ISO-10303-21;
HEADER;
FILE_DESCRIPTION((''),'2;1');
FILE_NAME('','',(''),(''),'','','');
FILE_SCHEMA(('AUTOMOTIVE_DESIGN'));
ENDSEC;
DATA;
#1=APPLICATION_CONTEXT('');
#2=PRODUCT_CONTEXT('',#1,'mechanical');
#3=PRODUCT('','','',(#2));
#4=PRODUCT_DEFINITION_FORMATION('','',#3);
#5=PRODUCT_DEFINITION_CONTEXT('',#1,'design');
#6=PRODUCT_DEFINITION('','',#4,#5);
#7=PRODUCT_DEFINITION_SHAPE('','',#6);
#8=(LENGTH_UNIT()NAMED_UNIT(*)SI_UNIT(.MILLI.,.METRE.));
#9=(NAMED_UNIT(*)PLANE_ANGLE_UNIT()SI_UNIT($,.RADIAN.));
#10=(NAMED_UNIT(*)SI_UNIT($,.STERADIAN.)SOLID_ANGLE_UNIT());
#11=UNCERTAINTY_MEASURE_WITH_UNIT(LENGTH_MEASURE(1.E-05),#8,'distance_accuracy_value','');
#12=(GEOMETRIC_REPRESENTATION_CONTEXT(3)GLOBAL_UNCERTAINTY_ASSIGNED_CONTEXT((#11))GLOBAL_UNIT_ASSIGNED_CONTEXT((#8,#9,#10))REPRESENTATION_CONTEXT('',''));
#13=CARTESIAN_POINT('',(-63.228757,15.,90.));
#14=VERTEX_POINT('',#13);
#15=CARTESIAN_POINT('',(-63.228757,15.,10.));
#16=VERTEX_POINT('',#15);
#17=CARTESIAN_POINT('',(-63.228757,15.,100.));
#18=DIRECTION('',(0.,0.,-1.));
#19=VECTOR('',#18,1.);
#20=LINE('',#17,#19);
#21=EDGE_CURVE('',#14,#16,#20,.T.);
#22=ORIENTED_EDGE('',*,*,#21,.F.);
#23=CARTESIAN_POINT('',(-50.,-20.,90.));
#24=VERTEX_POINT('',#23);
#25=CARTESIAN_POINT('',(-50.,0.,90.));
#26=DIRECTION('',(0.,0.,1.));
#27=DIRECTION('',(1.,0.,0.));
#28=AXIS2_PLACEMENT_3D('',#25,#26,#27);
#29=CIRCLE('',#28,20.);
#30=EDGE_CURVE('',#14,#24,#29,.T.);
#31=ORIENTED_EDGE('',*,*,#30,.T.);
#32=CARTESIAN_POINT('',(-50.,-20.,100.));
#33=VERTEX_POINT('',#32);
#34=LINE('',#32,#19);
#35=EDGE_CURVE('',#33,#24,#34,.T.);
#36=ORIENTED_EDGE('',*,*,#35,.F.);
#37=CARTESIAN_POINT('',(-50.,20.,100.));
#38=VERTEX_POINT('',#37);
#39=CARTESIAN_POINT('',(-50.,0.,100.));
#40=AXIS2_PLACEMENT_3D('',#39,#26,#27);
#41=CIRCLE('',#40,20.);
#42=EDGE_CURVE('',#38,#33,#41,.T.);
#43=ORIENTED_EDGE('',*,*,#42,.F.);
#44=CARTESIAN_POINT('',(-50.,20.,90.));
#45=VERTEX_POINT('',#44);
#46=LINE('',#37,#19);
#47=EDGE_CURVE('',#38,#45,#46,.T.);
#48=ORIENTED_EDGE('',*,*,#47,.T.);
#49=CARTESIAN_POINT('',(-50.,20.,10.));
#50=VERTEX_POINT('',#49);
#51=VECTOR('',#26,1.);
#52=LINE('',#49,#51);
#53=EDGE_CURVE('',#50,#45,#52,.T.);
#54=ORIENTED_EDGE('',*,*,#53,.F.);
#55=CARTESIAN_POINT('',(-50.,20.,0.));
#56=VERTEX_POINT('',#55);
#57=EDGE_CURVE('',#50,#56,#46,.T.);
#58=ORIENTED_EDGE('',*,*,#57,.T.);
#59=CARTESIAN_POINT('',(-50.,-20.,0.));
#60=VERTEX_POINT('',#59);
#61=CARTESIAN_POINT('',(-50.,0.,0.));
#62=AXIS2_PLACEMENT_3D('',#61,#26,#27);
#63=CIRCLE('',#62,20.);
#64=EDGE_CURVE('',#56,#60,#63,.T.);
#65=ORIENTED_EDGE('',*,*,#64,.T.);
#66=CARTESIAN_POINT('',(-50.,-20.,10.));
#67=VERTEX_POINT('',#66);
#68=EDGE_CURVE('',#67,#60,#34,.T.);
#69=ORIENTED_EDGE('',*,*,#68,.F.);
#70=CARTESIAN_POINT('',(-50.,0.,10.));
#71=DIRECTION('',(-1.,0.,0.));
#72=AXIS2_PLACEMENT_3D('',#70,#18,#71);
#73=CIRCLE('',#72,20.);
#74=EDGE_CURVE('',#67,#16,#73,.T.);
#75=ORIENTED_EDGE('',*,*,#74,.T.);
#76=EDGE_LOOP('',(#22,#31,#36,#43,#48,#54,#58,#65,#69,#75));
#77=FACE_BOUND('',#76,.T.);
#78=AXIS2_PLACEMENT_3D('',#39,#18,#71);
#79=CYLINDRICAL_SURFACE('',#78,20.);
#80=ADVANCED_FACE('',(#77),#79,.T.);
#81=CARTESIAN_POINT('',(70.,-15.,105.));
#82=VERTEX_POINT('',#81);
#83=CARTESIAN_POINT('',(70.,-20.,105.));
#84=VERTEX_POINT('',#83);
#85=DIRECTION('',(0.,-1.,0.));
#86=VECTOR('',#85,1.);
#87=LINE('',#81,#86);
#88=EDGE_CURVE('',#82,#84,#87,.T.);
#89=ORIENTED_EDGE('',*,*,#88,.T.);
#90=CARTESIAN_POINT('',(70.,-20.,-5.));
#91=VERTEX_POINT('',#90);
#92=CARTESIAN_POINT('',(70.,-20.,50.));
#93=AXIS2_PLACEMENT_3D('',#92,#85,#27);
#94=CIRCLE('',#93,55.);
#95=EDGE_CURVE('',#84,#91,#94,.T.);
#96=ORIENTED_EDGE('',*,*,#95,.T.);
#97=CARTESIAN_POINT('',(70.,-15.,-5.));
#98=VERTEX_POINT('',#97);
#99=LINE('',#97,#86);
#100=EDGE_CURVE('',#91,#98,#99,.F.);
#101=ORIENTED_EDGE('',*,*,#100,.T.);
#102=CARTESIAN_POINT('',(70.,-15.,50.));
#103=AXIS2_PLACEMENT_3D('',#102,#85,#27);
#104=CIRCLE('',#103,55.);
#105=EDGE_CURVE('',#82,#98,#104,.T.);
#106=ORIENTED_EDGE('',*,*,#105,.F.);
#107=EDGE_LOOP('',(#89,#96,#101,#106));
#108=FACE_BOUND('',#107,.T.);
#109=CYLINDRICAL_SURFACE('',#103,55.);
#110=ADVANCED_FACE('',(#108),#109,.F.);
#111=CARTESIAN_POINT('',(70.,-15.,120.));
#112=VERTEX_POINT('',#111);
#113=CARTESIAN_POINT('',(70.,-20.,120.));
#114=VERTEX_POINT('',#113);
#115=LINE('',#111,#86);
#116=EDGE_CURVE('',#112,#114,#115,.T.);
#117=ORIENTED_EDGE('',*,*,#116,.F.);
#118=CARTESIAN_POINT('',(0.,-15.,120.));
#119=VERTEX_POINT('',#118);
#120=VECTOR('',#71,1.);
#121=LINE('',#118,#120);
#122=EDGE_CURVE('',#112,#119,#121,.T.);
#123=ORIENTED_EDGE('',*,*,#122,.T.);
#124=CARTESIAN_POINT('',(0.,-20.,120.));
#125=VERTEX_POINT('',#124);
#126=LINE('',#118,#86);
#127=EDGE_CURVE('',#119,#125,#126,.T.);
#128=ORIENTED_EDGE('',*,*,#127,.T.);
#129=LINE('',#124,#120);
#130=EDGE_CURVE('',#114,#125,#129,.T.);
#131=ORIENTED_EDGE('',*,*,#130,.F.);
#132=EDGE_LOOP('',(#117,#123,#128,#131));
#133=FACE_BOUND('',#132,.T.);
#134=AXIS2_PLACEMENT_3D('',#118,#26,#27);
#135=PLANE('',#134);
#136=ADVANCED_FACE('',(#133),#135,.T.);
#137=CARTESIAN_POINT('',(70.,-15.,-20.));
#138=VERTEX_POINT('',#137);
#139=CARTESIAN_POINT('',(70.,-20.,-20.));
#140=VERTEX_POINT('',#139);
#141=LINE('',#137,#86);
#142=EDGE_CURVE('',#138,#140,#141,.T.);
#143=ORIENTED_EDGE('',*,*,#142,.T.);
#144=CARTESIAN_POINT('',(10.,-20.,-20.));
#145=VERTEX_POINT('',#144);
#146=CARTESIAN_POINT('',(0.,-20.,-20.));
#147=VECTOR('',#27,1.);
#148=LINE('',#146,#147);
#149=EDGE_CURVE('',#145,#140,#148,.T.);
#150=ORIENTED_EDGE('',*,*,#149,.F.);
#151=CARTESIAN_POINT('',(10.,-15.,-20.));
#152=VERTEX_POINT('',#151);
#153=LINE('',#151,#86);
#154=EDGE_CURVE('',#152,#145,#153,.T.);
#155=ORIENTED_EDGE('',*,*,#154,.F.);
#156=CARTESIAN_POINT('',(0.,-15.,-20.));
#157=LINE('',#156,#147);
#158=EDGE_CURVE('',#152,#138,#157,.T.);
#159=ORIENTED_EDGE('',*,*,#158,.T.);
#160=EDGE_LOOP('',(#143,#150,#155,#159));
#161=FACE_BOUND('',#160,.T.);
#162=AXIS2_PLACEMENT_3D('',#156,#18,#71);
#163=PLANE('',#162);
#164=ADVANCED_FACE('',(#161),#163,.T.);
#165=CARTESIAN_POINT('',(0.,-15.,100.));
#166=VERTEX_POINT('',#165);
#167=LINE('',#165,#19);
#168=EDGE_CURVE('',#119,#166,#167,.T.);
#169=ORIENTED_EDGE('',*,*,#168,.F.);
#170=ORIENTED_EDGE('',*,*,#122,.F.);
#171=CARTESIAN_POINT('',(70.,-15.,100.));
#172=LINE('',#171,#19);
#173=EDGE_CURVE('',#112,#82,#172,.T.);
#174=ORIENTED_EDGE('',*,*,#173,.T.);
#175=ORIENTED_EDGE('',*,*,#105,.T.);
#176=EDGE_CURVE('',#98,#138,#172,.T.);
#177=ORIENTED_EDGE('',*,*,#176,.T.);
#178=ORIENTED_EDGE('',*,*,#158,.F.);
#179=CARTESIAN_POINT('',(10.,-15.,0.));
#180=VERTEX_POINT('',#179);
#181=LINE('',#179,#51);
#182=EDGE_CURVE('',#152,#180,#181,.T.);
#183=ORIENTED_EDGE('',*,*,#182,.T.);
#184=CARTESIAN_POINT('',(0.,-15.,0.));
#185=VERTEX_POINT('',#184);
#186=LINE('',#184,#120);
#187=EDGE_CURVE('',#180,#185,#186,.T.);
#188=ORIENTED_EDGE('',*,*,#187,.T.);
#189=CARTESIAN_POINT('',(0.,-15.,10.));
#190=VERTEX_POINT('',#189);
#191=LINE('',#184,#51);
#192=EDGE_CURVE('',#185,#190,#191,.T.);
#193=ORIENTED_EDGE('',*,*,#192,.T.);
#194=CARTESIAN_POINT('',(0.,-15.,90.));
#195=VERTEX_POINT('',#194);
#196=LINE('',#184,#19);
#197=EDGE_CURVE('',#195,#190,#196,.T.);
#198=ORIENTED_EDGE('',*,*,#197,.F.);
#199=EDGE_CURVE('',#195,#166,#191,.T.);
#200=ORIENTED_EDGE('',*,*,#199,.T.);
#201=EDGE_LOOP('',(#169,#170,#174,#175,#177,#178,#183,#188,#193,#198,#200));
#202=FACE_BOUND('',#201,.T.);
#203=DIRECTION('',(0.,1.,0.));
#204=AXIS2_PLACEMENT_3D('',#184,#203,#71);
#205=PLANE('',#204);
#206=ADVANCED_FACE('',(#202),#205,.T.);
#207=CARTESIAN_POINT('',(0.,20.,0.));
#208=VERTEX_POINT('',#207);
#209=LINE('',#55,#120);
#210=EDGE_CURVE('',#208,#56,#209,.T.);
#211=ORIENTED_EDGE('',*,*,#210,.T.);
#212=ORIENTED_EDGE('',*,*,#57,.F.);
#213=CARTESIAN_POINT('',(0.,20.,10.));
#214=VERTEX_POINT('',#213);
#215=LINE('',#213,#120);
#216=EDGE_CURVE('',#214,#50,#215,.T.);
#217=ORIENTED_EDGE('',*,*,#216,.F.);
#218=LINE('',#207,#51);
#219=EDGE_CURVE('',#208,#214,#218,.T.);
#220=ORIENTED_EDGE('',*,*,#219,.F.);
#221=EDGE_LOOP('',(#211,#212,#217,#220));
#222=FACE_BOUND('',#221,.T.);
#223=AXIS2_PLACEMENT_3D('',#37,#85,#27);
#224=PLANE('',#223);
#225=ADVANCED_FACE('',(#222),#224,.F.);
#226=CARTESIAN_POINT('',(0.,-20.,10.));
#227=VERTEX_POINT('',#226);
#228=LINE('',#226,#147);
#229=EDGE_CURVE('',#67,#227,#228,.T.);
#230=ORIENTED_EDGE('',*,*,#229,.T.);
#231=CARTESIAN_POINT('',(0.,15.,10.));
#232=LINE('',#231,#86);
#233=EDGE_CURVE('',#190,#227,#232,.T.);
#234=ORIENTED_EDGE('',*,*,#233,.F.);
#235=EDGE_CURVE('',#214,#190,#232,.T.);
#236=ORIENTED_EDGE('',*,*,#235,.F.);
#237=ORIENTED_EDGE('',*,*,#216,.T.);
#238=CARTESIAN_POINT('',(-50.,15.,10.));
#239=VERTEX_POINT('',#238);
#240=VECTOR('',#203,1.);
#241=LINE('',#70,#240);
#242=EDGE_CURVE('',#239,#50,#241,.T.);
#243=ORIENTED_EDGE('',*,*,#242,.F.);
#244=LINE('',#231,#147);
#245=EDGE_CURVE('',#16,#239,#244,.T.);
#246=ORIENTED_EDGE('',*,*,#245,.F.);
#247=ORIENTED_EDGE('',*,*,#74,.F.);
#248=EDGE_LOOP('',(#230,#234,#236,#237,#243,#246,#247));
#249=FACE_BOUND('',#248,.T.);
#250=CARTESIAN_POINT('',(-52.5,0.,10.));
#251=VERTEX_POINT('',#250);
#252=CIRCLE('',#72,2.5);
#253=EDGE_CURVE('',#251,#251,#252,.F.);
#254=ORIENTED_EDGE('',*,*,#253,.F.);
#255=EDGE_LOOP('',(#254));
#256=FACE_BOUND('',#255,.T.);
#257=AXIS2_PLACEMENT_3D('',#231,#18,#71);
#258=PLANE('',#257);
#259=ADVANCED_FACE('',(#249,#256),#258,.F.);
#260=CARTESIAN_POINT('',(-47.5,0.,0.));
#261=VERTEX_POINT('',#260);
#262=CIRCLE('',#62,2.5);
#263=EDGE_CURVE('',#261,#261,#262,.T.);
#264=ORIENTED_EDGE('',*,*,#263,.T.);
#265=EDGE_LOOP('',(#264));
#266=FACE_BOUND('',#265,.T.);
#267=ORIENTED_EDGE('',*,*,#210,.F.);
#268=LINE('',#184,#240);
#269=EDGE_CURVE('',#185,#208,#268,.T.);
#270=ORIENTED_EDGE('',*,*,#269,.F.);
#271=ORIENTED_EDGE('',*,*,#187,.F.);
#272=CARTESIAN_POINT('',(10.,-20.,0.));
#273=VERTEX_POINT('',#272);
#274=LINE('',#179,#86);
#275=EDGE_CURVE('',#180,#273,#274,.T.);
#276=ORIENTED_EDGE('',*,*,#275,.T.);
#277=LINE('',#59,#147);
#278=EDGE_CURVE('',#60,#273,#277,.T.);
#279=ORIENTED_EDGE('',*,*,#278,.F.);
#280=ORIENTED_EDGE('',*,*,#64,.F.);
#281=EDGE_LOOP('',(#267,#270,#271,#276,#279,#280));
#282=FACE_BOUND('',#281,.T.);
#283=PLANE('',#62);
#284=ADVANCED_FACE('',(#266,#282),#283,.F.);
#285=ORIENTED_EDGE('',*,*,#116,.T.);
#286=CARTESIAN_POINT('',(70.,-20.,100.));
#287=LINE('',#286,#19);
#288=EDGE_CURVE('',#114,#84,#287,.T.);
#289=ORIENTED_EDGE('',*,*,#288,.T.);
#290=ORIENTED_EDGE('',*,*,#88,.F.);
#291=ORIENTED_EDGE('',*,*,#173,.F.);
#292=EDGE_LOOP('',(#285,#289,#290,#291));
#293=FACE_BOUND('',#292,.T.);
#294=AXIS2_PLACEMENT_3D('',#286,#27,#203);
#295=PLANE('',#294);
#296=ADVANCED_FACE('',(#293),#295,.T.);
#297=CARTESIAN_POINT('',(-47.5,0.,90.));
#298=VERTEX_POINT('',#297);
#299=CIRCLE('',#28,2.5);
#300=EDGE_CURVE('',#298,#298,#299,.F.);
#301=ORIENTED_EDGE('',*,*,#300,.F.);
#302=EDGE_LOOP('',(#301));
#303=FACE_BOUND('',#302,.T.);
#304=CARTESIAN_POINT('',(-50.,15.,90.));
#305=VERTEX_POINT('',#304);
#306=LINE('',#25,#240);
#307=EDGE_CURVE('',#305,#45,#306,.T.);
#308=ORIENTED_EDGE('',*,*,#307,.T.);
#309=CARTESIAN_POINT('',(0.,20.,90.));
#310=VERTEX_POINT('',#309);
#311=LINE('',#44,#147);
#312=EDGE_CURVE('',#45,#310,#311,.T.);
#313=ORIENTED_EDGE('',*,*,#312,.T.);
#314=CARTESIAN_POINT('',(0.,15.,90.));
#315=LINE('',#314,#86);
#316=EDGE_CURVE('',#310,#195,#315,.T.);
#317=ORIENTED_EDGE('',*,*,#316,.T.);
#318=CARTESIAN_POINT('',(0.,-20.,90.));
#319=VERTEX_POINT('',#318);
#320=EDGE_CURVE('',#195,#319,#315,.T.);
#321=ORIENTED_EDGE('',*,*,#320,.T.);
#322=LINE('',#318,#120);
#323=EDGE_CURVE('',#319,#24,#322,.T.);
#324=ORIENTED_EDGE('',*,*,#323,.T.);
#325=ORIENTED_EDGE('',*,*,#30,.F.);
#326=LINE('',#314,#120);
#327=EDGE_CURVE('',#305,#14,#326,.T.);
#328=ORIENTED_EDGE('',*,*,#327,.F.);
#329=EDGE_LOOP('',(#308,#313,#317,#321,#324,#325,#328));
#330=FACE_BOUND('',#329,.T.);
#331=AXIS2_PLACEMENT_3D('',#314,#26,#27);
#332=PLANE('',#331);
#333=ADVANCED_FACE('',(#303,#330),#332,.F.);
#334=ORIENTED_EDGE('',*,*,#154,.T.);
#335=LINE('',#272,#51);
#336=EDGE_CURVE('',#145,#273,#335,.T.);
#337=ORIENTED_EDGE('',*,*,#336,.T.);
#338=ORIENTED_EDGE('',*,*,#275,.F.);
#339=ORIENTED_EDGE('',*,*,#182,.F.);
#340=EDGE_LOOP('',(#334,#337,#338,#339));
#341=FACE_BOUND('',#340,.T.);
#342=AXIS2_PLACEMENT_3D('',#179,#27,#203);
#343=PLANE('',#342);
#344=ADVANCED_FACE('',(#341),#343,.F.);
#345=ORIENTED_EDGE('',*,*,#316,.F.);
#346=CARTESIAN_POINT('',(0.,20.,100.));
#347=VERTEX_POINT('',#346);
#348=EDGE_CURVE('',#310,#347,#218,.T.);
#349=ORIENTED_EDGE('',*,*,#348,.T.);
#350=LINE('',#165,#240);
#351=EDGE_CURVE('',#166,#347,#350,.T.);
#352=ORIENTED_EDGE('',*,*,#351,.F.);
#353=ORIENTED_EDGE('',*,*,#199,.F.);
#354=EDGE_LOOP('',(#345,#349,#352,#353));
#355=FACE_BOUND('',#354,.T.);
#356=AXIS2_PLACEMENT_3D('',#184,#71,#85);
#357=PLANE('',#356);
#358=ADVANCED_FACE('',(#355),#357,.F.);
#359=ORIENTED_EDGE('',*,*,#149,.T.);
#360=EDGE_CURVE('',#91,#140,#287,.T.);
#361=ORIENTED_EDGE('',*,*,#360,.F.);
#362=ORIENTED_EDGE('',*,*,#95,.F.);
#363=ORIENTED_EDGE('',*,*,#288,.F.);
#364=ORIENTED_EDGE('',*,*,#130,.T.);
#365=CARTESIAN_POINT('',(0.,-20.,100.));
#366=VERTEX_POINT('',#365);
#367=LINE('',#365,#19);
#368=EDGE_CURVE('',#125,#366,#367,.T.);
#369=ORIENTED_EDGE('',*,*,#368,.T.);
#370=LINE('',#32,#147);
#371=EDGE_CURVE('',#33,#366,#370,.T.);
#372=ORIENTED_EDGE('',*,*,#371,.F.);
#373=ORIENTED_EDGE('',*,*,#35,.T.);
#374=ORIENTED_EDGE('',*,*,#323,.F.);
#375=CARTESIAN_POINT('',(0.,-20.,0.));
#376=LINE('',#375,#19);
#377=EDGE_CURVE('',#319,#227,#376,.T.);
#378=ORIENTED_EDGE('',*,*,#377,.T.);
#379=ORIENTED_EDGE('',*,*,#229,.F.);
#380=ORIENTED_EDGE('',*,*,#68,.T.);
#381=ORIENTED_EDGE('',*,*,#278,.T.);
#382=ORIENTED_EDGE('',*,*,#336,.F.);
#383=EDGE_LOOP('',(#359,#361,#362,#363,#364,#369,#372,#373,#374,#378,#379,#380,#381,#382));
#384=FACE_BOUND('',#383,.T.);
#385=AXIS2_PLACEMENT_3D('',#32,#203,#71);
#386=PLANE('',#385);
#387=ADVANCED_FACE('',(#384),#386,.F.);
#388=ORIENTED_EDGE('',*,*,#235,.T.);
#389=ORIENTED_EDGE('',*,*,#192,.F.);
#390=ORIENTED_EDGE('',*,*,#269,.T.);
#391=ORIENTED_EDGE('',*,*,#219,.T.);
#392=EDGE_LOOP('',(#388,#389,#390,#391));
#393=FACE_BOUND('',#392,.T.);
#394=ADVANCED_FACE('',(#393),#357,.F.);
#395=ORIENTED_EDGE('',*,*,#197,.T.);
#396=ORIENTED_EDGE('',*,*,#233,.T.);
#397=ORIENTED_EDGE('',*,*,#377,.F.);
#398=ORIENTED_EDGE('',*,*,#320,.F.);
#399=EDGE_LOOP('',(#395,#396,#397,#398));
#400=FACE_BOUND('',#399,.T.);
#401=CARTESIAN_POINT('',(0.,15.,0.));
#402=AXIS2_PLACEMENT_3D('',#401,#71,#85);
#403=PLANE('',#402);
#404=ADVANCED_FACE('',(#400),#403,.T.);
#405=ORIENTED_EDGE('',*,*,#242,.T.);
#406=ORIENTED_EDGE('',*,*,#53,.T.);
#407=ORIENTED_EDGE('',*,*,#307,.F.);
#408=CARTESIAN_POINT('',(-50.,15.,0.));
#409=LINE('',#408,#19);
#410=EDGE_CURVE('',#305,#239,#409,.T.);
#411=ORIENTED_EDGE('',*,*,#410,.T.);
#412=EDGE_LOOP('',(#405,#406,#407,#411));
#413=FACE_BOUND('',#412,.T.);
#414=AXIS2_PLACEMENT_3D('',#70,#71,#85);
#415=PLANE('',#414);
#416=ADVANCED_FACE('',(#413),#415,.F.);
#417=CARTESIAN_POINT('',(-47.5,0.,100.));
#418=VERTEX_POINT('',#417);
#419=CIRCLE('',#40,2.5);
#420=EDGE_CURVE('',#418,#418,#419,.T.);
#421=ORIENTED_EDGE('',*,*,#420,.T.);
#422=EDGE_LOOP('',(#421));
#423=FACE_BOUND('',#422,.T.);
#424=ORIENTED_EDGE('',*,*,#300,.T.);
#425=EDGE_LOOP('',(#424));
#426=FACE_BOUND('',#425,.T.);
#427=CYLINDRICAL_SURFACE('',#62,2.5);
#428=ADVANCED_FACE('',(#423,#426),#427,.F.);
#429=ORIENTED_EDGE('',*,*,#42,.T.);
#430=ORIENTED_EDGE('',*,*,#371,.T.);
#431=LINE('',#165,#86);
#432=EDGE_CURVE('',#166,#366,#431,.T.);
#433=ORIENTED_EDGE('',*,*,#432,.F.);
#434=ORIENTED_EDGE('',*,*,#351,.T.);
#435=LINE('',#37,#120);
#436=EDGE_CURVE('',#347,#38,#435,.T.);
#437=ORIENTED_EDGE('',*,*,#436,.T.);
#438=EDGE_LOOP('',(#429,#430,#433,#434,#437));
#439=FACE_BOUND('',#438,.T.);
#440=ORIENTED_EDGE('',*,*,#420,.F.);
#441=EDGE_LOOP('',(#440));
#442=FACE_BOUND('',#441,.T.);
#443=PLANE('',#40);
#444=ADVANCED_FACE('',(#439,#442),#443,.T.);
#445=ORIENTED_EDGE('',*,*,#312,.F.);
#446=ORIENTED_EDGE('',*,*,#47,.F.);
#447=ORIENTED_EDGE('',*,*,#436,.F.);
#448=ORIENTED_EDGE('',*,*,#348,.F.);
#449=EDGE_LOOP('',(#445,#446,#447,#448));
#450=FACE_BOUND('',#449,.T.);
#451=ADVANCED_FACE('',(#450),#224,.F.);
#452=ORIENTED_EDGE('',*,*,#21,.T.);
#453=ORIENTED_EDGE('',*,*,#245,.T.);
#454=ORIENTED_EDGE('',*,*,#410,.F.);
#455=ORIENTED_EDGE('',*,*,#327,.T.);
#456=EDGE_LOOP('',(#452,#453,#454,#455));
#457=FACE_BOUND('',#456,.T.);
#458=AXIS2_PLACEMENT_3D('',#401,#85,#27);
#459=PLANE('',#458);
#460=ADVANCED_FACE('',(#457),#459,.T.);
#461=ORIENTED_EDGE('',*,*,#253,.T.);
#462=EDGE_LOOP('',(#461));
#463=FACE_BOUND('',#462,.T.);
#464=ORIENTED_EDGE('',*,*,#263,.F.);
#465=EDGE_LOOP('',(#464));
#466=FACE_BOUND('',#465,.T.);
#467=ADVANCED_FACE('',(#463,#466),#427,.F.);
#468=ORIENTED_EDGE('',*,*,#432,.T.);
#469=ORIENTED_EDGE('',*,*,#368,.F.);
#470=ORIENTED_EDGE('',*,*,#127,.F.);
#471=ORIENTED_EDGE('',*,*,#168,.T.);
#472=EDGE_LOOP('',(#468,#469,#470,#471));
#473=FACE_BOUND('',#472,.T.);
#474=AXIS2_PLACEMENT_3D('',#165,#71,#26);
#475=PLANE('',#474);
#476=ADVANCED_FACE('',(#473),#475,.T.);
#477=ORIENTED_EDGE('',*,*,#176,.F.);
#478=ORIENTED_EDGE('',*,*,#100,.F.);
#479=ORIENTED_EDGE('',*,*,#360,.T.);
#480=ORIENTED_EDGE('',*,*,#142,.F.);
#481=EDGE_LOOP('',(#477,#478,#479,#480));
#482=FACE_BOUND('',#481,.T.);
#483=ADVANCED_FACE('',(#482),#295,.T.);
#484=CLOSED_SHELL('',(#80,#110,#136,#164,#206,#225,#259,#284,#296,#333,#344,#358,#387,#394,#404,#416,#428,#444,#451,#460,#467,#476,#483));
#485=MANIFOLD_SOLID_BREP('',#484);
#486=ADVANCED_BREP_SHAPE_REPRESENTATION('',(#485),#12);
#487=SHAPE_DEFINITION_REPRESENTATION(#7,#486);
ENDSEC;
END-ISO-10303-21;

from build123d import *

# Parameters (mm, degrees)
EXTRUDE_1_DEPTH     = 100
SKETCH_2_R          = 2.5
CUT_EXTRUDE_1_DEPTH = 124.693168769
SKETCH_3_W          = 20
SKETCH_3_H          = 80
SKETCH_3_W_2        = 50
CUT_EXTRUDE_2_DEPTH = 35
SKETCH_4_W          = 70
SKETCH_4_H          = 100
CUT_EXTRUDE_3_DEPTH = 35
SKETCH_5_W          = 13.228756555
SKETCH_5_H          = 5
CUT_EXTRUDE_4_DEPTH = 124.693168769
SKETCH_7_R          = 2.5
CUT_EXTRUDE_5_DEPTH = 127.984250992
SKETCH_8_W          = 50
SKETCH_8_H          = 80.000000001
CUT_EXTRUDE_7_DEPTH = 20
SKETCH_10_W         = 20
SKETCH_10_H         = 100
EXTRUDE_6_DEPTH     = 5
SKETCH_11_W         = 70
SKETCH_11_H         = 20
EXTRUDE_7_DEPTH     = 5
SKETCH_12_W         = 70
SKETCH_12_H         = 20
EXTRUDE_8_DEPTH     = 5
SKETCH_13_R         = 55
CUT_EXTRUDE_8_DEPTH = 5
SKETCH_14_W         = 10
SKETCH_14_H         = 20
CUT_EXTRUDE_9_DEPTH = 5


with BuildPart() as part:
    # 草图1 → 凸台-拉伸1 (new body)
    with BuildSketch(Plane.XY):
        with BuildLine():
            Line((-50, 20), (50, 20))
            ThreePointArc((50, 20), (70, 0), (50, -20))
            Line((50, -20), (-50, -20))
            ThreePointArc((-50, -20), (-70, 0), (-50, 20))
        make_face()
    extrude(amount=EXTRUDE_1_DEPTH)

    # 草图2 → 切除-拉伸1 (cut, through all)
    with BuildSketch(Plane.XY.offset(100)):
        with Locations((-50, 0)):
            Circle(SKETCH_2_R)
    extrude(amount=-CUT_EXTRUDE_1_DEPTH, mode=Mode.SUBTRACT)

    # 草图3 → 切除-拉伸2 (cut)
    with BuildSketch(Plane.XZ.offset(20)):
        with Locations((-60, 50)):
            Rectangle(SKETCH_3_W, SKETCH_3_H)
        with Locations((-25, 50)):
            Rectangle(SKETCH_3_W_2, SKETCH_3_H)
    extrude(amount=-CUT_EXTRUDE_2_DEPTH, mode=Mode.SUBTRACT)

    # 草图4 → 切除-拉伸3 (cut)
    with BuildSketch(Plane(origin=(0, 20, 0), x_dir=(1, 0, 0), z_dir=(0, 1, 0))):
        with Locations((35, -50)):
            Rectangle(SKETCH_4_W, SKETCH_4_H)
    extrude(amount=-CUT_EXTRUDE_3_DEPTH, mode=Mode.SUBTRACT)

    # 草图5 → 切除-拉伸4 (cut, through all)
    with BuildSketch(Plane.XY.offset(100)):
        with Locations((56.614378278, -17.5)):
            Rectangle(SKETCH_5_W, SKETCH_5_H)
    extrude(amount=-CUT_EXTRUDE_4_DEPTH, mode=Mode.SUBTRACT)

    # 草图7 → 切除-拉伸5 (cut, through all)
    with BuildSketch(Plane(origin=(0, -15, 0), x_dir=(1, 0, 0), z_dir=(0, 1, 0))):
        with Locations(Location((35, -50, 0), (0, 0, 180))):
            Circle(SKETCH_7_R)
    extrude(amount=-CUT_EXTRUDE_5_DEPTH, mode=Mode.SUBTRACT)

    # 草图8 → 切除-拉伸7 (cut)
    with BuildSketch(Plane(origin=(0, 20, 0), x_dir=(1, 0, 0), z_dir=(0, 1, 0))):
        with Locations((-25, -50.000000001)):
            Rectangle(SKETCH_8_W, SKETCH_8_H)
    extrude(amount=-CUT_EXTRUDE_7_DEPTH, mode=Mode.SUBTRACT)

    # 草图10 → 凸台-拉伸6 (add)
    with BuildSketch(Plane(origin=(0, -15, 0), x_dir=(1, 0, 0), z_dir=(0, 1, 0))):
        with Locations((60, -50)):
            Rectangle(SKETCH_10_W, SKETCH_10_H)
    extrude(amount=-EXTRUDE_6_DEPTH)

    # 草图11 → 凸台-拉伸7 (add)
    with BuildSketch(Plane(origin=(0, -20, 0), x_dir=(-1, 0, 0), z_dir=(0, -1, 0))):
        with Locations((-35, 10)):
            Rectangle(SKETCH_11_W, SKETCH_11_H)
    extrude(amount=-EXTRUDE_7_DEPTH)

    # 草图12 → 凸台-拉伸8 (add)
    with BuildSketch(Plane.XZ.offset(20)):
        with Locations((35, 110)):
            Rectangle(SKETCH_12_W, SKETCH_12_H)
    extrude(amount=-EXTRUDE_8_DEPTH)

    # 草图13 → 切除-拉伸8 (cut)
    with BuildSketch(Plane.XZ.offset(20)):
        with Locations((70, 50)):
            Circle(SKETCH_13_R)
    extrude(amount=-CUT_EXTRUDE_8_DEPTH, mode=Mode.SUBTRACT)

    # 草图14 → 切除-拉伸9 (cut)
    with BuildSketch(Plane.XZ.offset(20)):
        with Locations((5, -10)):
            Rectangle(SKETCH_14_W, SKETCH_14_H)
    extrude(amount=-CUT_EXTRUDE_9_DEPTH, mode=Mode.SUBTRACT)


solid = part.part
